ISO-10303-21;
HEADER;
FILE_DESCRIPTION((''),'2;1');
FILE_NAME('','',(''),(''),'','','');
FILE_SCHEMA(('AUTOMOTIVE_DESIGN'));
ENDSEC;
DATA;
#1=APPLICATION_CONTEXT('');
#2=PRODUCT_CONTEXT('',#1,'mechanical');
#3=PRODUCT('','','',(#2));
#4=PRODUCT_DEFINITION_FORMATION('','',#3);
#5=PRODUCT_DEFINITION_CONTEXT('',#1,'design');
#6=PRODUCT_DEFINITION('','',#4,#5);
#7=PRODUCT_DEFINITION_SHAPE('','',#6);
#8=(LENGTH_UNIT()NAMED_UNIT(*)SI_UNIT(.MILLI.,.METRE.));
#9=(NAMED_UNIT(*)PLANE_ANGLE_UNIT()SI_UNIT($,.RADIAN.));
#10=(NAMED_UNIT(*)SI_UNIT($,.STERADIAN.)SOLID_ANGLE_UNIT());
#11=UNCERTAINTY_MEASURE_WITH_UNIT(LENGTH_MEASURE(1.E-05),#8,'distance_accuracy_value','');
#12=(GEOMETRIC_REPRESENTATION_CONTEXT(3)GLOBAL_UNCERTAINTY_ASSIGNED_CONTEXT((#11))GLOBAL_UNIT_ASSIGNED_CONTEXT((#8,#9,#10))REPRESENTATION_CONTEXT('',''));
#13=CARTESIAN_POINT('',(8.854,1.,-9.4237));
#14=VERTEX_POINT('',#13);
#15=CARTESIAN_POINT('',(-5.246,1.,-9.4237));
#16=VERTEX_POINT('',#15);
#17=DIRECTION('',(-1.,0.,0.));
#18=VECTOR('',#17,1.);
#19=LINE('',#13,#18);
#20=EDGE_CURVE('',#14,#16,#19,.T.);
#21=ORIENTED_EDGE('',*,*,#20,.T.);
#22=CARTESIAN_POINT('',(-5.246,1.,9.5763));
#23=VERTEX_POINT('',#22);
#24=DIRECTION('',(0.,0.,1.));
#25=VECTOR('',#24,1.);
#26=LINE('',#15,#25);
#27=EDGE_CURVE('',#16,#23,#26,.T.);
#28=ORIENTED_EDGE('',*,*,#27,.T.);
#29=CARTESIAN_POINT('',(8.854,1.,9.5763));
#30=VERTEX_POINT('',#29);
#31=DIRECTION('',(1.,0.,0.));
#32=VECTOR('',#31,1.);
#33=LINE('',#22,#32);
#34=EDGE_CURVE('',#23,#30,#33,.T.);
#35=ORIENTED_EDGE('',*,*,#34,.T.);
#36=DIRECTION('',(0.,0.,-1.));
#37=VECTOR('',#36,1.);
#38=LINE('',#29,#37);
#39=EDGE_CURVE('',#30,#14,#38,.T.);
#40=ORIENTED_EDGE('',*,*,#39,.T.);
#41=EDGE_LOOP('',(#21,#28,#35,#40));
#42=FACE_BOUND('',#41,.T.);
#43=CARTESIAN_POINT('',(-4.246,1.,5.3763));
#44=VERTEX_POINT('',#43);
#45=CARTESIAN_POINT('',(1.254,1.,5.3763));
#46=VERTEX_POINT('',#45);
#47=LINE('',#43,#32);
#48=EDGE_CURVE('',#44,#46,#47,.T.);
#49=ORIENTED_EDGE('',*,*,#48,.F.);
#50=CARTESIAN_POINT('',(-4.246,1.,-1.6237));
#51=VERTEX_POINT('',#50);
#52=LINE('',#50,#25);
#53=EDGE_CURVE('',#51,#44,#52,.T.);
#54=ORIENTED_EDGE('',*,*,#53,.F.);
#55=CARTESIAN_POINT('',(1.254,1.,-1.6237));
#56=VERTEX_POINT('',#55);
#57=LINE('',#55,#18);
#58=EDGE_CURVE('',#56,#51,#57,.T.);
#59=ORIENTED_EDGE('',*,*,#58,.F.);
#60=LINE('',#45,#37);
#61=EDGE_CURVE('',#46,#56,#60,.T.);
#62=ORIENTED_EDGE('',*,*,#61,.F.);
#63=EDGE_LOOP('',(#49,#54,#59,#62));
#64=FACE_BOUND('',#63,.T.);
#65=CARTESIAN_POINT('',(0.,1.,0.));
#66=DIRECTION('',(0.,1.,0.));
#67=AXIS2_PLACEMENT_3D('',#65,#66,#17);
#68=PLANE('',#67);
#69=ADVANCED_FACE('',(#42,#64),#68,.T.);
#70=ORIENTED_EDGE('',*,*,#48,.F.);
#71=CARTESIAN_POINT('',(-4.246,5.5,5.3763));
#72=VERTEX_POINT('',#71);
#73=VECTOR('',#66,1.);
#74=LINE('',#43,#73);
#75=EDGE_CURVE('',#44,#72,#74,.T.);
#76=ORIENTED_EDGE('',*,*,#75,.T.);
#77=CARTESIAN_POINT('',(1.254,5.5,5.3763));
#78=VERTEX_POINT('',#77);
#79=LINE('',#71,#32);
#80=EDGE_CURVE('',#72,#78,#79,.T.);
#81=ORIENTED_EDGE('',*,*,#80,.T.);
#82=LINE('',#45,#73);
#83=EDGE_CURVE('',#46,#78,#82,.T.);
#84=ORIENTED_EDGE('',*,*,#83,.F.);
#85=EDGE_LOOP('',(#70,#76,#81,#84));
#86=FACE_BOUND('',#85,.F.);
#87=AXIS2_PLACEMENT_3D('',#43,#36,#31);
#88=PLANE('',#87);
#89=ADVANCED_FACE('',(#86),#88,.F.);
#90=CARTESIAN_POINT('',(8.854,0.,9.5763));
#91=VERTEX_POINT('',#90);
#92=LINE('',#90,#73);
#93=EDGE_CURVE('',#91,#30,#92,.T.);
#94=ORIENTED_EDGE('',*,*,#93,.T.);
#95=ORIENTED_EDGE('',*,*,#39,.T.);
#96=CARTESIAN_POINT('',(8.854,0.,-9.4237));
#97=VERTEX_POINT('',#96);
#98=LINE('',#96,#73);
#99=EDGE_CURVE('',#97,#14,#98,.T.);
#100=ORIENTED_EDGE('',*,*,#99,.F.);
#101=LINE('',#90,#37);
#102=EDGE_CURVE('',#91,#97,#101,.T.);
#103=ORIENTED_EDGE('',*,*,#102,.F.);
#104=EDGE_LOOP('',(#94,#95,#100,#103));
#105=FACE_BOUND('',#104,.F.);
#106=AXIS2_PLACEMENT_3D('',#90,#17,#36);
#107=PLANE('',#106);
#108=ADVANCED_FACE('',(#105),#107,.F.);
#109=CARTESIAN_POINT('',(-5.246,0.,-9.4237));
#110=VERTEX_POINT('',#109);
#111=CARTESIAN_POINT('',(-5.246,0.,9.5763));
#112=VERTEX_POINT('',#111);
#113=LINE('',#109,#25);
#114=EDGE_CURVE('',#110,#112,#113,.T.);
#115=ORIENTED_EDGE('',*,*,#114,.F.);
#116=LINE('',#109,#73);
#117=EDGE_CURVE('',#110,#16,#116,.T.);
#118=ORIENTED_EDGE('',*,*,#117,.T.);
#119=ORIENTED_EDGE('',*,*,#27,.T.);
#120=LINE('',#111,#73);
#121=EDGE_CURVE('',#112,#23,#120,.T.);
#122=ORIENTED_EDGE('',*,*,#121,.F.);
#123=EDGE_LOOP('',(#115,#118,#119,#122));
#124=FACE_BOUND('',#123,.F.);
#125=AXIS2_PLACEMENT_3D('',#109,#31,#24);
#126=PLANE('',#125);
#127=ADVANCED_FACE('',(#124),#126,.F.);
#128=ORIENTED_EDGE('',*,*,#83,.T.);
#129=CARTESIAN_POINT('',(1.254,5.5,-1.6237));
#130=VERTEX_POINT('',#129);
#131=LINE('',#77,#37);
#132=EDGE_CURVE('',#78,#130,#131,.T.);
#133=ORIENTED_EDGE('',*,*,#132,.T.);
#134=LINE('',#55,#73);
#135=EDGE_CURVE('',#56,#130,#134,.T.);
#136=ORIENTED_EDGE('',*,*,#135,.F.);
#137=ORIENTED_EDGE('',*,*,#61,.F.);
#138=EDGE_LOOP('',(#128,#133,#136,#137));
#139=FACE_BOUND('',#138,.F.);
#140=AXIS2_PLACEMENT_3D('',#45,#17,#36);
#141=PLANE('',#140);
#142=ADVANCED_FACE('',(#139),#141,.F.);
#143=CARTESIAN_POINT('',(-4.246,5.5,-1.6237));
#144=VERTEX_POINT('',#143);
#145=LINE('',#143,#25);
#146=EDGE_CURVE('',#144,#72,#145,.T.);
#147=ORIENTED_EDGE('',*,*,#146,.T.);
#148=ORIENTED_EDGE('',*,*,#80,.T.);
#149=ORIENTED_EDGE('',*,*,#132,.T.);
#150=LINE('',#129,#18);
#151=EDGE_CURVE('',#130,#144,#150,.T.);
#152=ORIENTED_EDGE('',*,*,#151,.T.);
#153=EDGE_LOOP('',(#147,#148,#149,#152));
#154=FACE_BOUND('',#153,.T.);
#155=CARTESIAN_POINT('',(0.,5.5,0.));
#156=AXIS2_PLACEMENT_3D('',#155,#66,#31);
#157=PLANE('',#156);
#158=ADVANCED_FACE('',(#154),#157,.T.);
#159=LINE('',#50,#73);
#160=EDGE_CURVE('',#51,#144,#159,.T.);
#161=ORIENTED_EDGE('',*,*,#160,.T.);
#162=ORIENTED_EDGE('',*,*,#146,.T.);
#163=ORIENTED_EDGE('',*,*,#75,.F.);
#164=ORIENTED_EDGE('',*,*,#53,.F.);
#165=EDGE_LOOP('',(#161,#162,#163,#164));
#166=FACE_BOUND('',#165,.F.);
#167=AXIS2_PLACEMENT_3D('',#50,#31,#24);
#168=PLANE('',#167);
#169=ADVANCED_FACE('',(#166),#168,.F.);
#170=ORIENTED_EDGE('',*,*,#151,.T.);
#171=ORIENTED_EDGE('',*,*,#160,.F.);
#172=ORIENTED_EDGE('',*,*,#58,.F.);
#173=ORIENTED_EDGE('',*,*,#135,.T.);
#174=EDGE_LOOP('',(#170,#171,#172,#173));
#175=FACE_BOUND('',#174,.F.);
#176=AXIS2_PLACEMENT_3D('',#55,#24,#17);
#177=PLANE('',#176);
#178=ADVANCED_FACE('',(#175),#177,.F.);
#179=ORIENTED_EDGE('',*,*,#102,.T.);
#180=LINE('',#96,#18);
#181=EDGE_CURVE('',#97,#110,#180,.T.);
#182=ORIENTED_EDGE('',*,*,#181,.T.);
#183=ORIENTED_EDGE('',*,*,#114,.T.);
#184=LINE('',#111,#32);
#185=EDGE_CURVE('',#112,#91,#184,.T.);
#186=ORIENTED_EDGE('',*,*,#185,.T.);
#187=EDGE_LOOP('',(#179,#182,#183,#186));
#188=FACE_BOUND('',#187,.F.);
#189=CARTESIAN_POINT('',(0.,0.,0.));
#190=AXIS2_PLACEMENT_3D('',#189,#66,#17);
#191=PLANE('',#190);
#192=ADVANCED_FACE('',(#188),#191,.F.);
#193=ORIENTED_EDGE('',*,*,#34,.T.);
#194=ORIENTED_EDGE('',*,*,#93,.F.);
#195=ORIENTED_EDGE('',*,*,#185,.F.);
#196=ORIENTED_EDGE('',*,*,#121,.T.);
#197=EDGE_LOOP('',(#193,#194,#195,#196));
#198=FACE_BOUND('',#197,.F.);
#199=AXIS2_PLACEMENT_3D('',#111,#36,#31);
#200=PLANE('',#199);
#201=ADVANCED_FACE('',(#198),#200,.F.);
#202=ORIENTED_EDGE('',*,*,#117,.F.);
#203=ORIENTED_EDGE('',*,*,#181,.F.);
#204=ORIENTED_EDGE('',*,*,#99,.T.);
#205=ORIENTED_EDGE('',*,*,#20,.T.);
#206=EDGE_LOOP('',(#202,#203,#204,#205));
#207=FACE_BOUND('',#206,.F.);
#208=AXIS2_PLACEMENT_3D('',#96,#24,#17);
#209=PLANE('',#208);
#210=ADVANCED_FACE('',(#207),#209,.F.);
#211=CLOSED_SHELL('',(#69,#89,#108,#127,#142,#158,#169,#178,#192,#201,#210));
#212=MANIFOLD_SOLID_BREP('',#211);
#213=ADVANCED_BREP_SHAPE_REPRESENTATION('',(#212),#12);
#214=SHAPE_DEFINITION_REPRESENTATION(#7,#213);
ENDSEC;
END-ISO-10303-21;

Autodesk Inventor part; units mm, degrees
ref_plane "YZ Plane" through (0, 0, 0) normal (1, 0, 0) x (0, 1, 0)
ref_plane "XZ Plane" through (0, 0, 0) normal (0, 1, 0) x (-1, 0, 0)
ref_plane "XY Plane" through (0, 0, 0) normal (0, 0, 1) x (1, 0, 0)
sketch "Sketch1" plane through (0, 0, 0) normal (0, 1, 0) x (-1, 0, 0)
  line L0 (5.246, 9.5763) -> (-8.854, 9.5763)
  line L1 (-8.854, 9.5763) -> (-8.854, -9.4237)
  line L2 (-8.854, -9.4237) -> (5.246, -9.4237)
  line L3 (5.246, -9.4237) -> (5.246, 9.5763)
  point P0 (0, 0)
  dimension "d0" = 14.1
  dimension "d1" = 19
extrude "Extrusion1" add sketch "Sketch1" along normal blind 1
sketch "Sketch2" plane through (0, 1, 0) normal (0, 1, 0) x (1, 0, 0)
  line L0 (-4.246, -5.3763) -> (1.254, -5.3763)
  line L1 (1.254, -5.3763) -> (1.254, 1.6237)
  line L2 (1.254, 1.6237) -> (-4.246, 1.6237)
  line L3 (-4.246, 1.6237) -> (-4.246, -5.3763)
  line L4 (-5.246, 9.4237) -> (-5.246, -9.5763) projected
  line L5 (-5.246, -9.5763) -> (8.854, -9.5763) projected
  point P0 (0, 0)
  point P1 (-1.496, -5.3763)
  dimension "d4" = 5.5
  dimension "d5" = 7
  dimension "d6" = 1
  dimension "d7" = 4.2
extrude "Extrusion2" add sketch "Sketch2" along normal blind 4.5
properties part number "Boost converter"
